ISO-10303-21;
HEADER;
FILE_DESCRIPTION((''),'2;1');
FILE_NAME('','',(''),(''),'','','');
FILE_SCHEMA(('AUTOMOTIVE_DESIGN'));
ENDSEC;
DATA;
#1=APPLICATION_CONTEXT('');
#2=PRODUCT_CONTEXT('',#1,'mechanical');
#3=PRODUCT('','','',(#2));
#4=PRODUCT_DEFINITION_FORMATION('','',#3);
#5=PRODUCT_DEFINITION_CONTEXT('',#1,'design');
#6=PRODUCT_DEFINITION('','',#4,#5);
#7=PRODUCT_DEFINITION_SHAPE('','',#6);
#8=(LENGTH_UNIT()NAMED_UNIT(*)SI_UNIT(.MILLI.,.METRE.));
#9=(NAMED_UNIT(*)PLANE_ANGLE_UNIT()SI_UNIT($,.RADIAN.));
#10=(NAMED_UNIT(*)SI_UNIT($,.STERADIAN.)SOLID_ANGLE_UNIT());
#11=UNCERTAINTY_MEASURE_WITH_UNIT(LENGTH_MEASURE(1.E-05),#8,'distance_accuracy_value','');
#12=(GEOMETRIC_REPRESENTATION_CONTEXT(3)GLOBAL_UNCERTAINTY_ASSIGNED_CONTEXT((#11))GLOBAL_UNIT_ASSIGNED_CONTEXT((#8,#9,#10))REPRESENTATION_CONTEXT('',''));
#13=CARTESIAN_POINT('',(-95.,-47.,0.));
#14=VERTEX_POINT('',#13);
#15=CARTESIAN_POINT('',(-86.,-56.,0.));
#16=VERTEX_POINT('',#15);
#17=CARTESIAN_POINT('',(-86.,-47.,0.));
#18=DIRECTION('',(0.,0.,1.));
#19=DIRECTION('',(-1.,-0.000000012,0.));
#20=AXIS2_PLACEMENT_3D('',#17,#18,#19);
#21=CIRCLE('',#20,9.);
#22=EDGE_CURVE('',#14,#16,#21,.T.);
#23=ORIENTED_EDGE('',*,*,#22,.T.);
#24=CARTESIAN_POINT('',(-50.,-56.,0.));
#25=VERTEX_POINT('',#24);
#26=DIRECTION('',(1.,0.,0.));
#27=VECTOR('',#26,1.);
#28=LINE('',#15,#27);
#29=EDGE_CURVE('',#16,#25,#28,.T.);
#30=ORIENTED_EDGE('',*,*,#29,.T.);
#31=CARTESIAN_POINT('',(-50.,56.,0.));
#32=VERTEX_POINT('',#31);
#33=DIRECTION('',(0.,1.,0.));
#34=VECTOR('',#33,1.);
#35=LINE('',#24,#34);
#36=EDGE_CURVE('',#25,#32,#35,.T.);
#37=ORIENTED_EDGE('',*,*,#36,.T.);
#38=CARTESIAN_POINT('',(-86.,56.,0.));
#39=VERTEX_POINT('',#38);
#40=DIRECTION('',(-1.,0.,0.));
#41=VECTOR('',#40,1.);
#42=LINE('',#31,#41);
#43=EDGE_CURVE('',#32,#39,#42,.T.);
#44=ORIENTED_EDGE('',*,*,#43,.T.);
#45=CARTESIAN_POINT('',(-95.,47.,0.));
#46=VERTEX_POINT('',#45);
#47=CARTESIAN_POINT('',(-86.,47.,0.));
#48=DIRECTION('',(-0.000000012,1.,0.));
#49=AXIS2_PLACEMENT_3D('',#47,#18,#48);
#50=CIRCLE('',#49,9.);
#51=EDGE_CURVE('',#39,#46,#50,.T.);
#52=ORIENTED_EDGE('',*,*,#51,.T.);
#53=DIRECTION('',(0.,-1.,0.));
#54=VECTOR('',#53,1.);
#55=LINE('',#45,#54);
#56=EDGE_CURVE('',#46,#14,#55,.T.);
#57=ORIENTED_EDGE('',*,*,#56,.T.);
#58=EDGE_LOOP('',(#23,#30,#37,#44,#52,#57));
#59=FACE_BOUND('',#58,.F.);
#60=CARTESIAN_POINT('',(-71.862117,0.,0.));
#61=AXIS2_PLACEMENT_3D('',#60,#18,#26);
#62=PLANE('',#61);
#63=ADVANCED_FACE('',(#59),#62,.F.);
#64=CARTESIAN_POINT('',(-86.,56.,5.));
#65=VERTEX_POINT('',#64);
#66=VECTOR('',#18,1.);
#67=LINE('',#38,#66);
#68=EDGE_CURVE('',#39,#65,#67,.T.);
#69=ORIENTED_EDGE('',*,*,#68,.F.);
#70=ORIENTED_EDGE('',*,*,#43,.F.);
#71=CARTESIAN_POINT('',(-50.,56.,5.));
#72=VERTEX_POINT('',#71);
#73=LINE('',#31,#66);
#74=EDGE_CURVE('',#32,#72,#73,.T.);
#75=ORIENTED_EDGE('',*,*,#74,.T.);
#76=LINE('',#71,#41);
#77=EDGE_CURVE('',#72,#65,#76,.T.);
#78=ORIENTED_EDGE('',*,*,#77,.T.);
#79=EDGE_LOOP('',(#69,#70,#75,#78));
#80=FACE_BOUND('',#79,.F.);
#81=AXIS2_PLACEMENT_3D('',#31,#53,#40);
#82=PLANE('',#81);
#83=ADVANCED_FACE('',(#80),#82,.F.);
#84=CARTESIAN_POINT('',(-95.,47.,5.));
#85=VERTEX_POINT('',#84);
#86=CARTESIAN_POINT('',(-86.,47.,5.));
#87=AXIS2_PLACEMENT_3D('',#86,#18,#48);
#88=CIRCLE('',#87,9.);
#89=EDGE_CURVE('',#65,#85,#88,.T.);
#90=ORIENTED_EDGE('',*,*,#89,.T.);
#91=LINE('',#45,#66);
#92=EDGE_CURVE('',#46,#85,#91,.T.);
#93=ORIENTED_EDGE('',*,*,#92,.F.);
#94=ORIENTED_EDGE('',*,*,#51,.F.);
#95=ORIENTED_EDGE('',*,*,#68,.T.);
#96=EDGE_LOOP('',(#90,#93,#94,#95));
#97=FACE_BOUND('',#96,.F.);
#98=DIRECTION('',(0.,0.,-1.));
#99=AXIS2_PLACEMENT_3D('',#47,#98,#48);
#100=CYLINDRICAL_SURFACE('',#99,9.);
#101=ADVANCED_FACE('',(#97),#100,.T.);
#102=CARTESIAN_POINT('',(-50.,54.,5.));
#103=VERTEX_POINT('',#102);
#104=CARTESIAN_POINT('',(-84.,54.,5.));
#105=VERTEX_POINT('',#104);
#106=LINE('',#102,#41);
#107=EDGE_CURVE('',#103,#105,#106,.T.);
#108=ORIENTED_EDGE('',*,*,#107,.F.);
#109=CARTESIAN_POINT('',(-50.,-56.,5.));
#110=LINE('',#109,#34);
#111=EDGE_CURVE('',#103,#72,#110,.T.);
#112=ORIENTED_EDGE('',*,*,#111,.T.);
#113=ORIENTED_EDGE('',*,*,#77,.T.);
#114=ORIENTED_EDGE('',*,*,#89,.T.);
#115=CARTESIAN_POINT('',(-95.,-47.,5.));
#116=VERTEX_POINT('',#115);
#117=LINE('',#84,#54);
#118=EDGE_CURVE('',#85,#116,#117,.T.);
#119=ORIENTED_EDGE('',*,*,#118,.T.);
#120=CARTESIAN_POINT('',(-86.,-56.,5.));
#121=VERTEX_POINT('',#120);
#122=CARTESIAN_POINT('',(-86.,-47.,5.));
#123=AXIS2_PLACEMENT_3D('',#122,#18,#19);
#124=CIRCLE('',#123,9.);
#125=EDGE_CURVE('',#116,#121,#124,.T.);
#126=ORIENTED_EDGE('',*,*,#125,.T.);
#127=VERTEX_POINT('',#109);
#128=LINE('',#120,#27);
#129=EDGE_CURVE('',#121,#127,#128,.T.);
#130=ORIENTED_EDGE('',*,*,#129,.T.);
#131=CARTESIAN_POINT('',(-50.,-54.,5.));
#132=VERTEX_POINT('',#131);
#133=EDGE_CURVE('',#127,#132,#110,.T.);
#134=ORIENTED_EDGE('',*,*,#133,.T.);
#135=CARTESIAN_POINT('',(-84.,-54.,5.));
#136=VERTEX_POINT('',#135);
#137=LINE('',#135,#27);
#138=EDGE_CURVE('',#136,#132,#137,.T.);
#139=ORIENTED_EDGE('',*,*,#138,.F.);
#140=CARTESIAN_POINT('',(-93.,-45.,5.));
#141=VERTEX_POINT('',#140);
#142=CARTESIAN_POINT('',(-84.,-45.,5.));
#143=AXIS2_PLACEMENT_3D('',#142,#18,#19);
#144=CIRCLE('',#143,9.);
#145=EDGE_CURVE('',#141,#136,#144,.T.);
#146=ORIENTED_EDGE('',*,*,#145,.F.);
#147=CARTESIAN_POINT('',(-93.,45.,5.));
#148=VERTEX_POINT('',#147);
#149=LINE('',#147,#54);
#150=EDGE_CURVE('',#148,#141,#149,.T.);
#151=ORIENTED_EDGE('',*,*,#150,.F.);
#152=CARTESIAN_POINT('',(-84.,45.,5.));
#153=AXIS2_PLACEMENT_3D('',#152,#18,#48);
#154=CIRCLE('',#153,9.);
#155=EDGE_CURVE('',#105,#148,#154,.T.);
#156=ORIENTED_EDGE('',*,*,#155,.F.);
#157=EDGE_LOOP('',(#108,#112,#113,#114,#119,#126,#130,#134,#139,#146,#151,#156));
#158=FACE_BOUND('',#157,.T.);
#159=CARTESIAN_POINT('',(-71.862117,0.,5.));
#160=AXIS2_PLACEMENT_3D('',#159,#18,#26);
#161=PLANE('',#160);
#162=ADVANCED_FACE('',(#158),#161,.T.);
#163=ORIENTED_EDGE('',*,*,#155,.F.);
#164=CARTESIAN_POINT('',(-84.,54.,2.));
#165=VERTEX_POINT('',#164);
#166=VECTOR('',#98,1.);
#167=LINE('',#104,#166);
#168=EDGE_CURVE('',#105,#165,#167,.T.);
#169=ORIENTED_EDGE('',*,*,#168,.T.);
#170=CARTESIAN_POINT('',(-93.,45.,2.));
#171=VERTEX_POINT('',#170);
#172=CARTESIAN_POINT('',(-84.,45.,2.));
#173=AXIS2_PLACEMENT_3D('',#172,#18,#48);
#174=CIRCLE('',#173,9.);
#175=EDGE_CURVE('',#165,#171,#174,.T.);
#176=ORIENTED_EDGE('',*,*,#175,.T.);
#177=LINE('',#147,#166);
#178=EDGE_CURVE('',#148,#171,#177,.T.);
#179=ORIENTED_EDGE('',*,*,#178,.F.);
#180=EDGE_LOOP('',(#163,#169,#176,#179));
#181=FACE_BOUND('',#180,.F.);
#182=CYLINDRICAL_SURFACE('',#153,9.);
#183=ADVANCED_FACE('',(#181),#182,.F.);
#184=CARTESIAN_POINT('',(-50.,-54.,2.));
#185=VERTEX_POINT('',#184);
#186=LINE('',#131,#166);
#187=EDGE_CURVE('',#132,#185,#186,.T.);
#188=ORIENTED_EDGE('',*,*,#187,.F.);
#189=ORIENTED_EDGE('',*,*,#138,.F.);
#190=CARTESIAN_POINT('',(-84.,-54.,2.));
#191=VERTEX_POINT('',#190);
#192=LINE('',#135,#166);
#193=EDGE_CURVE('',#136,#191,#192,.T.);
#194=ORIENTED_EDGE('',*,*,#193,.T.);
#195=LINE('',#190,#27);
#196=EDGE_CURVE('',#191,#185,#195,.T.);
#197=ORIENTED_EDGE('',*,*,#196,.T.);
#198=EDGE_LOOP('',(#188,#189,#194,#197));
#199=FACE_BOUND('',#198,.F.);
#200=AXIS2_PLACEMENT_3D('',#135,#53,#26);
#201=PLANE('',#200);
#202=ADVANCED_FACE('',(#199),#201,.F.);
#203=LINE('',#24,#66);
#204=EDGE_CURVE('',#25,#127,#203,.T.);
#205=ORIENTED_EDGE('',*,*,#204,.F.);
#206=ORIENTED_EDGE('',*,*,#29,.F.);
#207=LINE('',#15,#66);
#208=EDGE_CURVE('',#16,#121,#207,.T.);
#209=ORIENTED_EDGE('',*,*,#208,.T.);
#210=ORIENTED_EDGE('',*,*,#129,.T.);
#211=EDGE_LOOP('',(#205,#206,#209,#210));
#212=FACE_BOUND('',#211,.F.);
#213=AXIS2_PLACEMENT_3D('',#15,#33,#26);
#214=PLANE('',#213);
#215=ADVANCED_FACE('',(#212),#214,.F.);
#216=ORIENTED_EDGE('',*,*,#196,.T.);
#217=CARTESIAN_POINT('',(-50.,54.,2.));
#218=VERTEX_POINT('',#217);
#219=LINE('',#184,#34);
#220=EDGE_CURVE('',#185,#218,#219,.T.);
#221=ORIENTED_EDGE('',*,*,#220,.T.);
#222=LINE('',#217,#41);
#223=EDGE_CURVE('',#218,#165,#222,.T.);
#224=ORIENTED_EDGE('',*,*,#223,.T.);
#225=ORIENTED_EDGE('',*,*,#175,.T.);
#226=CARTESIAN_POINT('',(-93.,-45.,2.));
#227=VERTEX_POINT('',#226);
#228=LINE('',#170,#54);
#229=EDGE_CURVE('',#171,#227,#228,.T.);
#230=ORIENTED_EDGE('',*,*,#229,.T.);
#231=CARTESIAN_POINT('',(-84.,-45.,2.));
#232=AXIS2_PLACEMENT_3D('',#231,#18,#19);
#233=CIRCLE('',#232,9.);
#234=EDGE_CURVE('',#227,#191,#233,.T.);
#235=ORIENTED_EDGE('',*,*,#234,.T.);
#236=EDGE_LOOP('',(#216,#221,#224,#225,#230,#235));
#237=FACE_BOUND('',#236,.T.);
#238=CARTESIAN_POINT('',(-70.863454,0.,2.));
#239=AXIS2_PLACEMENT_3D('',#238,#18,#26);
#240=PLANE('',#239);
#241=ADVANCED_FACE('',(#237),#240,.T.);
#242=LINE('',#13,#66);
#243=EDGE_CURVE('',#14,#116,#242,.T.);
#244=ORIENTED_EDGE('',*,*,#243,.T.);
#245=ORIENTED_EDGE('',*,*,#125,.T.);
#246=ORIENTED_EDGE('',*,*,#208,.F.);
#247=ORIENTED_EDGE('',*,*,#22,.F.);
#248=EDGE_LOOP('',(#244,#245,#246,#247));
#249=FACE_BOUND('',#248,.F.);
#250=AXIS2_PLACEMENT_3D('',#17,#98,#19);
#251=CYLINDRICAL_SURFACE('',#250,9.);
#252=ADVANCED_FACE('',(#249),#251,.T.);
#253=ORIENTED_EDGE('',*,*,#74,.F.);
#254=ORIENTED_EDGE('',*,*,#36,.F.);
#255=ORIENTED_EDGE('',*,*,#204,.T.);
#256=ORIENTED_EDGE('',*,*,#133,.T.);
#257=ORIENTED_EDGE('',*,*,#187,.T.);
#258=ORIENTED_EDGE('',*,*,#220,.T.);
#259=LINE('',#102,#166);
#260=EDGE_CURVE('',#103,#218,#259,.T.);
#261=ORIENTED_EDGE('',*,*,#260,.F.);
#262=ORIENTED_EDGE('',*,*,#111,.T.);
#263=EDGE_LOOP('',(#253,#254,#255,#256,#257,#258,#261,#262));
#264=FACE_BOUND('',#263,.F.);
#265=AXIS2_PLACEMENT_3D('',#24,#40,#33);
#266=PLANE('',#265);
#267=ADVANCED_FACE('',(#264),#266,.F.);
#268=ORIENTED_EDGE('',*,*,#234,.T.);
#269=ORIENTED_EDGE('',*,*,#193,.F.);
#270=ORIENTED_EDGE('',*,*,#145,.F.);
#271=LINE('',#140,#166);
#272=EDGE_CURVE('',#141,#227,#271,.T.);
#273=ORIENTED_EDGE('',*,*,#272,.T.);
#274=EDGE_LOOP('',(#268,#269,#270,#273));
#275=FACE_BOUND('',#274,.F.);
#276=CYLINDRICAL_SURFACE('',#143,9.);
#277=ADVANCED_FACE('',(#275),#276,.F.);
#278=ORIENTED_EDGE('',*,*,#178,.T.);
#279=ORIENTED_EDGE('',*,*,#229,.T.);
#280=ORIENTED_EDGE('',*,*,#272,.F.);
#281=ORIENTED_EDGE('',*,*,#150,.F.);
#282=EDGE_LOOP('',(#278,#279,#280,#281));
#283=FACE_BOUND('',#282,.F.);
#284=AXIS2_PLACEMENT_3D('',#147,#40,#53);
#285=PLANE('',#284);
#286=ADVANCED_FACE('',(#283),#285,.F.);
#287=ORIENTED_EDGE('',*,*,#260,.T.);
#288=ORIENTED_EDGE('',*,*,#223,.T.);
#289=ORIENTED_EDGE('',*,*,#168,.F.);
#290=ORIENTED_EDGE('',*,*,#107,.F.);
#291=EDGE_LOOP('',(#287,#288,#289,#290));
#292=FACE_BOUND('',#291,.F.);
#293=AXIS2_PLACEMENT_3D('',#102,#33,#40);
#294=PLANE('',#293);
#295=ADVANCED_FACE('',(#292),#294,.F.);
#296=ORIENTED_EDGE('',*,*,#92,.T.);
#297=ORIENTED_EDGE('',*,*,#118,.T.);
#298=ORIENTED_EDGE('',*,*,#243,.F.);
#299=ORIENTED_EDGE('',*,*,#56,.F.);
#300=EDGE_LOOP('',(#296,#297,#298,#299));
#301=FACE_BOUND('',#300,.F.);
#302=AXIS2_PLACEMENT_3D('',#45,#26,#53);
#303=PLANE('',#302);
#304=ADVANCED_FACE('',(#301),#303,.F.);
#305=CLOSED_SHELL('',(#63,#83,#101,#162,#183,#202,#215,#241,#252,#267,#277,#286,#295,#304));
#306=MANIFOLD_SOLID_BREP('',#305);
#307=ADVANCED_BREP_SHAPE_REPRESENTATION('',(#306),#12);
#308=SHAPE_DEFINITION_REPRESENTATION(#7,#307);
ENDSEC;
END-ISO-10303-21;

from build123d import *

# Parameters (mm, degrees)
F1_DEPTH = 5
F3_DEPTH = 3


with BuildPart() as f1:
    # F0 (on Top) → F1 (new body)
    with BuildSketch(Plane.XY):
        with BuildLine():
            ThreePointArc((-95, -47), (-92.363961, -53.363961), (-86, -56))
            Line((-86, -56), (-50, -56))
            Line((-50, -56), (-50, 56))
            Line((-50, 56), (-86, 56))
            ThreePointArc((-86, 56), (-92.363961, 53.363961), (-95, 47))
            Line((-95, 47), (-95, -47))
        make_face()
    extrude(amount=F1_DEPTH)

    # F2 (on face) → F3 (cut)
    with BuildSketch(Plane.XY.offset(5)):
        with BuildLine():
            Line((-50, -54), (-50, 54))
            Line((-50, 54), (-84, 54))
            ThreePointArc((-84, 54), (-90.363961, 51.363961), (-93, 45))
            Line((-93, 45), (-93, -45))
            ThreePointArc((-93, -45), (-90.363961, -51.363961), (-84, -54))
            Line((-84, -54), (-50, -54))
        make_face()
    extrude(amount=-F3_DEPTH, mode=Mode.SUBTRACT)


solid = f1.part
